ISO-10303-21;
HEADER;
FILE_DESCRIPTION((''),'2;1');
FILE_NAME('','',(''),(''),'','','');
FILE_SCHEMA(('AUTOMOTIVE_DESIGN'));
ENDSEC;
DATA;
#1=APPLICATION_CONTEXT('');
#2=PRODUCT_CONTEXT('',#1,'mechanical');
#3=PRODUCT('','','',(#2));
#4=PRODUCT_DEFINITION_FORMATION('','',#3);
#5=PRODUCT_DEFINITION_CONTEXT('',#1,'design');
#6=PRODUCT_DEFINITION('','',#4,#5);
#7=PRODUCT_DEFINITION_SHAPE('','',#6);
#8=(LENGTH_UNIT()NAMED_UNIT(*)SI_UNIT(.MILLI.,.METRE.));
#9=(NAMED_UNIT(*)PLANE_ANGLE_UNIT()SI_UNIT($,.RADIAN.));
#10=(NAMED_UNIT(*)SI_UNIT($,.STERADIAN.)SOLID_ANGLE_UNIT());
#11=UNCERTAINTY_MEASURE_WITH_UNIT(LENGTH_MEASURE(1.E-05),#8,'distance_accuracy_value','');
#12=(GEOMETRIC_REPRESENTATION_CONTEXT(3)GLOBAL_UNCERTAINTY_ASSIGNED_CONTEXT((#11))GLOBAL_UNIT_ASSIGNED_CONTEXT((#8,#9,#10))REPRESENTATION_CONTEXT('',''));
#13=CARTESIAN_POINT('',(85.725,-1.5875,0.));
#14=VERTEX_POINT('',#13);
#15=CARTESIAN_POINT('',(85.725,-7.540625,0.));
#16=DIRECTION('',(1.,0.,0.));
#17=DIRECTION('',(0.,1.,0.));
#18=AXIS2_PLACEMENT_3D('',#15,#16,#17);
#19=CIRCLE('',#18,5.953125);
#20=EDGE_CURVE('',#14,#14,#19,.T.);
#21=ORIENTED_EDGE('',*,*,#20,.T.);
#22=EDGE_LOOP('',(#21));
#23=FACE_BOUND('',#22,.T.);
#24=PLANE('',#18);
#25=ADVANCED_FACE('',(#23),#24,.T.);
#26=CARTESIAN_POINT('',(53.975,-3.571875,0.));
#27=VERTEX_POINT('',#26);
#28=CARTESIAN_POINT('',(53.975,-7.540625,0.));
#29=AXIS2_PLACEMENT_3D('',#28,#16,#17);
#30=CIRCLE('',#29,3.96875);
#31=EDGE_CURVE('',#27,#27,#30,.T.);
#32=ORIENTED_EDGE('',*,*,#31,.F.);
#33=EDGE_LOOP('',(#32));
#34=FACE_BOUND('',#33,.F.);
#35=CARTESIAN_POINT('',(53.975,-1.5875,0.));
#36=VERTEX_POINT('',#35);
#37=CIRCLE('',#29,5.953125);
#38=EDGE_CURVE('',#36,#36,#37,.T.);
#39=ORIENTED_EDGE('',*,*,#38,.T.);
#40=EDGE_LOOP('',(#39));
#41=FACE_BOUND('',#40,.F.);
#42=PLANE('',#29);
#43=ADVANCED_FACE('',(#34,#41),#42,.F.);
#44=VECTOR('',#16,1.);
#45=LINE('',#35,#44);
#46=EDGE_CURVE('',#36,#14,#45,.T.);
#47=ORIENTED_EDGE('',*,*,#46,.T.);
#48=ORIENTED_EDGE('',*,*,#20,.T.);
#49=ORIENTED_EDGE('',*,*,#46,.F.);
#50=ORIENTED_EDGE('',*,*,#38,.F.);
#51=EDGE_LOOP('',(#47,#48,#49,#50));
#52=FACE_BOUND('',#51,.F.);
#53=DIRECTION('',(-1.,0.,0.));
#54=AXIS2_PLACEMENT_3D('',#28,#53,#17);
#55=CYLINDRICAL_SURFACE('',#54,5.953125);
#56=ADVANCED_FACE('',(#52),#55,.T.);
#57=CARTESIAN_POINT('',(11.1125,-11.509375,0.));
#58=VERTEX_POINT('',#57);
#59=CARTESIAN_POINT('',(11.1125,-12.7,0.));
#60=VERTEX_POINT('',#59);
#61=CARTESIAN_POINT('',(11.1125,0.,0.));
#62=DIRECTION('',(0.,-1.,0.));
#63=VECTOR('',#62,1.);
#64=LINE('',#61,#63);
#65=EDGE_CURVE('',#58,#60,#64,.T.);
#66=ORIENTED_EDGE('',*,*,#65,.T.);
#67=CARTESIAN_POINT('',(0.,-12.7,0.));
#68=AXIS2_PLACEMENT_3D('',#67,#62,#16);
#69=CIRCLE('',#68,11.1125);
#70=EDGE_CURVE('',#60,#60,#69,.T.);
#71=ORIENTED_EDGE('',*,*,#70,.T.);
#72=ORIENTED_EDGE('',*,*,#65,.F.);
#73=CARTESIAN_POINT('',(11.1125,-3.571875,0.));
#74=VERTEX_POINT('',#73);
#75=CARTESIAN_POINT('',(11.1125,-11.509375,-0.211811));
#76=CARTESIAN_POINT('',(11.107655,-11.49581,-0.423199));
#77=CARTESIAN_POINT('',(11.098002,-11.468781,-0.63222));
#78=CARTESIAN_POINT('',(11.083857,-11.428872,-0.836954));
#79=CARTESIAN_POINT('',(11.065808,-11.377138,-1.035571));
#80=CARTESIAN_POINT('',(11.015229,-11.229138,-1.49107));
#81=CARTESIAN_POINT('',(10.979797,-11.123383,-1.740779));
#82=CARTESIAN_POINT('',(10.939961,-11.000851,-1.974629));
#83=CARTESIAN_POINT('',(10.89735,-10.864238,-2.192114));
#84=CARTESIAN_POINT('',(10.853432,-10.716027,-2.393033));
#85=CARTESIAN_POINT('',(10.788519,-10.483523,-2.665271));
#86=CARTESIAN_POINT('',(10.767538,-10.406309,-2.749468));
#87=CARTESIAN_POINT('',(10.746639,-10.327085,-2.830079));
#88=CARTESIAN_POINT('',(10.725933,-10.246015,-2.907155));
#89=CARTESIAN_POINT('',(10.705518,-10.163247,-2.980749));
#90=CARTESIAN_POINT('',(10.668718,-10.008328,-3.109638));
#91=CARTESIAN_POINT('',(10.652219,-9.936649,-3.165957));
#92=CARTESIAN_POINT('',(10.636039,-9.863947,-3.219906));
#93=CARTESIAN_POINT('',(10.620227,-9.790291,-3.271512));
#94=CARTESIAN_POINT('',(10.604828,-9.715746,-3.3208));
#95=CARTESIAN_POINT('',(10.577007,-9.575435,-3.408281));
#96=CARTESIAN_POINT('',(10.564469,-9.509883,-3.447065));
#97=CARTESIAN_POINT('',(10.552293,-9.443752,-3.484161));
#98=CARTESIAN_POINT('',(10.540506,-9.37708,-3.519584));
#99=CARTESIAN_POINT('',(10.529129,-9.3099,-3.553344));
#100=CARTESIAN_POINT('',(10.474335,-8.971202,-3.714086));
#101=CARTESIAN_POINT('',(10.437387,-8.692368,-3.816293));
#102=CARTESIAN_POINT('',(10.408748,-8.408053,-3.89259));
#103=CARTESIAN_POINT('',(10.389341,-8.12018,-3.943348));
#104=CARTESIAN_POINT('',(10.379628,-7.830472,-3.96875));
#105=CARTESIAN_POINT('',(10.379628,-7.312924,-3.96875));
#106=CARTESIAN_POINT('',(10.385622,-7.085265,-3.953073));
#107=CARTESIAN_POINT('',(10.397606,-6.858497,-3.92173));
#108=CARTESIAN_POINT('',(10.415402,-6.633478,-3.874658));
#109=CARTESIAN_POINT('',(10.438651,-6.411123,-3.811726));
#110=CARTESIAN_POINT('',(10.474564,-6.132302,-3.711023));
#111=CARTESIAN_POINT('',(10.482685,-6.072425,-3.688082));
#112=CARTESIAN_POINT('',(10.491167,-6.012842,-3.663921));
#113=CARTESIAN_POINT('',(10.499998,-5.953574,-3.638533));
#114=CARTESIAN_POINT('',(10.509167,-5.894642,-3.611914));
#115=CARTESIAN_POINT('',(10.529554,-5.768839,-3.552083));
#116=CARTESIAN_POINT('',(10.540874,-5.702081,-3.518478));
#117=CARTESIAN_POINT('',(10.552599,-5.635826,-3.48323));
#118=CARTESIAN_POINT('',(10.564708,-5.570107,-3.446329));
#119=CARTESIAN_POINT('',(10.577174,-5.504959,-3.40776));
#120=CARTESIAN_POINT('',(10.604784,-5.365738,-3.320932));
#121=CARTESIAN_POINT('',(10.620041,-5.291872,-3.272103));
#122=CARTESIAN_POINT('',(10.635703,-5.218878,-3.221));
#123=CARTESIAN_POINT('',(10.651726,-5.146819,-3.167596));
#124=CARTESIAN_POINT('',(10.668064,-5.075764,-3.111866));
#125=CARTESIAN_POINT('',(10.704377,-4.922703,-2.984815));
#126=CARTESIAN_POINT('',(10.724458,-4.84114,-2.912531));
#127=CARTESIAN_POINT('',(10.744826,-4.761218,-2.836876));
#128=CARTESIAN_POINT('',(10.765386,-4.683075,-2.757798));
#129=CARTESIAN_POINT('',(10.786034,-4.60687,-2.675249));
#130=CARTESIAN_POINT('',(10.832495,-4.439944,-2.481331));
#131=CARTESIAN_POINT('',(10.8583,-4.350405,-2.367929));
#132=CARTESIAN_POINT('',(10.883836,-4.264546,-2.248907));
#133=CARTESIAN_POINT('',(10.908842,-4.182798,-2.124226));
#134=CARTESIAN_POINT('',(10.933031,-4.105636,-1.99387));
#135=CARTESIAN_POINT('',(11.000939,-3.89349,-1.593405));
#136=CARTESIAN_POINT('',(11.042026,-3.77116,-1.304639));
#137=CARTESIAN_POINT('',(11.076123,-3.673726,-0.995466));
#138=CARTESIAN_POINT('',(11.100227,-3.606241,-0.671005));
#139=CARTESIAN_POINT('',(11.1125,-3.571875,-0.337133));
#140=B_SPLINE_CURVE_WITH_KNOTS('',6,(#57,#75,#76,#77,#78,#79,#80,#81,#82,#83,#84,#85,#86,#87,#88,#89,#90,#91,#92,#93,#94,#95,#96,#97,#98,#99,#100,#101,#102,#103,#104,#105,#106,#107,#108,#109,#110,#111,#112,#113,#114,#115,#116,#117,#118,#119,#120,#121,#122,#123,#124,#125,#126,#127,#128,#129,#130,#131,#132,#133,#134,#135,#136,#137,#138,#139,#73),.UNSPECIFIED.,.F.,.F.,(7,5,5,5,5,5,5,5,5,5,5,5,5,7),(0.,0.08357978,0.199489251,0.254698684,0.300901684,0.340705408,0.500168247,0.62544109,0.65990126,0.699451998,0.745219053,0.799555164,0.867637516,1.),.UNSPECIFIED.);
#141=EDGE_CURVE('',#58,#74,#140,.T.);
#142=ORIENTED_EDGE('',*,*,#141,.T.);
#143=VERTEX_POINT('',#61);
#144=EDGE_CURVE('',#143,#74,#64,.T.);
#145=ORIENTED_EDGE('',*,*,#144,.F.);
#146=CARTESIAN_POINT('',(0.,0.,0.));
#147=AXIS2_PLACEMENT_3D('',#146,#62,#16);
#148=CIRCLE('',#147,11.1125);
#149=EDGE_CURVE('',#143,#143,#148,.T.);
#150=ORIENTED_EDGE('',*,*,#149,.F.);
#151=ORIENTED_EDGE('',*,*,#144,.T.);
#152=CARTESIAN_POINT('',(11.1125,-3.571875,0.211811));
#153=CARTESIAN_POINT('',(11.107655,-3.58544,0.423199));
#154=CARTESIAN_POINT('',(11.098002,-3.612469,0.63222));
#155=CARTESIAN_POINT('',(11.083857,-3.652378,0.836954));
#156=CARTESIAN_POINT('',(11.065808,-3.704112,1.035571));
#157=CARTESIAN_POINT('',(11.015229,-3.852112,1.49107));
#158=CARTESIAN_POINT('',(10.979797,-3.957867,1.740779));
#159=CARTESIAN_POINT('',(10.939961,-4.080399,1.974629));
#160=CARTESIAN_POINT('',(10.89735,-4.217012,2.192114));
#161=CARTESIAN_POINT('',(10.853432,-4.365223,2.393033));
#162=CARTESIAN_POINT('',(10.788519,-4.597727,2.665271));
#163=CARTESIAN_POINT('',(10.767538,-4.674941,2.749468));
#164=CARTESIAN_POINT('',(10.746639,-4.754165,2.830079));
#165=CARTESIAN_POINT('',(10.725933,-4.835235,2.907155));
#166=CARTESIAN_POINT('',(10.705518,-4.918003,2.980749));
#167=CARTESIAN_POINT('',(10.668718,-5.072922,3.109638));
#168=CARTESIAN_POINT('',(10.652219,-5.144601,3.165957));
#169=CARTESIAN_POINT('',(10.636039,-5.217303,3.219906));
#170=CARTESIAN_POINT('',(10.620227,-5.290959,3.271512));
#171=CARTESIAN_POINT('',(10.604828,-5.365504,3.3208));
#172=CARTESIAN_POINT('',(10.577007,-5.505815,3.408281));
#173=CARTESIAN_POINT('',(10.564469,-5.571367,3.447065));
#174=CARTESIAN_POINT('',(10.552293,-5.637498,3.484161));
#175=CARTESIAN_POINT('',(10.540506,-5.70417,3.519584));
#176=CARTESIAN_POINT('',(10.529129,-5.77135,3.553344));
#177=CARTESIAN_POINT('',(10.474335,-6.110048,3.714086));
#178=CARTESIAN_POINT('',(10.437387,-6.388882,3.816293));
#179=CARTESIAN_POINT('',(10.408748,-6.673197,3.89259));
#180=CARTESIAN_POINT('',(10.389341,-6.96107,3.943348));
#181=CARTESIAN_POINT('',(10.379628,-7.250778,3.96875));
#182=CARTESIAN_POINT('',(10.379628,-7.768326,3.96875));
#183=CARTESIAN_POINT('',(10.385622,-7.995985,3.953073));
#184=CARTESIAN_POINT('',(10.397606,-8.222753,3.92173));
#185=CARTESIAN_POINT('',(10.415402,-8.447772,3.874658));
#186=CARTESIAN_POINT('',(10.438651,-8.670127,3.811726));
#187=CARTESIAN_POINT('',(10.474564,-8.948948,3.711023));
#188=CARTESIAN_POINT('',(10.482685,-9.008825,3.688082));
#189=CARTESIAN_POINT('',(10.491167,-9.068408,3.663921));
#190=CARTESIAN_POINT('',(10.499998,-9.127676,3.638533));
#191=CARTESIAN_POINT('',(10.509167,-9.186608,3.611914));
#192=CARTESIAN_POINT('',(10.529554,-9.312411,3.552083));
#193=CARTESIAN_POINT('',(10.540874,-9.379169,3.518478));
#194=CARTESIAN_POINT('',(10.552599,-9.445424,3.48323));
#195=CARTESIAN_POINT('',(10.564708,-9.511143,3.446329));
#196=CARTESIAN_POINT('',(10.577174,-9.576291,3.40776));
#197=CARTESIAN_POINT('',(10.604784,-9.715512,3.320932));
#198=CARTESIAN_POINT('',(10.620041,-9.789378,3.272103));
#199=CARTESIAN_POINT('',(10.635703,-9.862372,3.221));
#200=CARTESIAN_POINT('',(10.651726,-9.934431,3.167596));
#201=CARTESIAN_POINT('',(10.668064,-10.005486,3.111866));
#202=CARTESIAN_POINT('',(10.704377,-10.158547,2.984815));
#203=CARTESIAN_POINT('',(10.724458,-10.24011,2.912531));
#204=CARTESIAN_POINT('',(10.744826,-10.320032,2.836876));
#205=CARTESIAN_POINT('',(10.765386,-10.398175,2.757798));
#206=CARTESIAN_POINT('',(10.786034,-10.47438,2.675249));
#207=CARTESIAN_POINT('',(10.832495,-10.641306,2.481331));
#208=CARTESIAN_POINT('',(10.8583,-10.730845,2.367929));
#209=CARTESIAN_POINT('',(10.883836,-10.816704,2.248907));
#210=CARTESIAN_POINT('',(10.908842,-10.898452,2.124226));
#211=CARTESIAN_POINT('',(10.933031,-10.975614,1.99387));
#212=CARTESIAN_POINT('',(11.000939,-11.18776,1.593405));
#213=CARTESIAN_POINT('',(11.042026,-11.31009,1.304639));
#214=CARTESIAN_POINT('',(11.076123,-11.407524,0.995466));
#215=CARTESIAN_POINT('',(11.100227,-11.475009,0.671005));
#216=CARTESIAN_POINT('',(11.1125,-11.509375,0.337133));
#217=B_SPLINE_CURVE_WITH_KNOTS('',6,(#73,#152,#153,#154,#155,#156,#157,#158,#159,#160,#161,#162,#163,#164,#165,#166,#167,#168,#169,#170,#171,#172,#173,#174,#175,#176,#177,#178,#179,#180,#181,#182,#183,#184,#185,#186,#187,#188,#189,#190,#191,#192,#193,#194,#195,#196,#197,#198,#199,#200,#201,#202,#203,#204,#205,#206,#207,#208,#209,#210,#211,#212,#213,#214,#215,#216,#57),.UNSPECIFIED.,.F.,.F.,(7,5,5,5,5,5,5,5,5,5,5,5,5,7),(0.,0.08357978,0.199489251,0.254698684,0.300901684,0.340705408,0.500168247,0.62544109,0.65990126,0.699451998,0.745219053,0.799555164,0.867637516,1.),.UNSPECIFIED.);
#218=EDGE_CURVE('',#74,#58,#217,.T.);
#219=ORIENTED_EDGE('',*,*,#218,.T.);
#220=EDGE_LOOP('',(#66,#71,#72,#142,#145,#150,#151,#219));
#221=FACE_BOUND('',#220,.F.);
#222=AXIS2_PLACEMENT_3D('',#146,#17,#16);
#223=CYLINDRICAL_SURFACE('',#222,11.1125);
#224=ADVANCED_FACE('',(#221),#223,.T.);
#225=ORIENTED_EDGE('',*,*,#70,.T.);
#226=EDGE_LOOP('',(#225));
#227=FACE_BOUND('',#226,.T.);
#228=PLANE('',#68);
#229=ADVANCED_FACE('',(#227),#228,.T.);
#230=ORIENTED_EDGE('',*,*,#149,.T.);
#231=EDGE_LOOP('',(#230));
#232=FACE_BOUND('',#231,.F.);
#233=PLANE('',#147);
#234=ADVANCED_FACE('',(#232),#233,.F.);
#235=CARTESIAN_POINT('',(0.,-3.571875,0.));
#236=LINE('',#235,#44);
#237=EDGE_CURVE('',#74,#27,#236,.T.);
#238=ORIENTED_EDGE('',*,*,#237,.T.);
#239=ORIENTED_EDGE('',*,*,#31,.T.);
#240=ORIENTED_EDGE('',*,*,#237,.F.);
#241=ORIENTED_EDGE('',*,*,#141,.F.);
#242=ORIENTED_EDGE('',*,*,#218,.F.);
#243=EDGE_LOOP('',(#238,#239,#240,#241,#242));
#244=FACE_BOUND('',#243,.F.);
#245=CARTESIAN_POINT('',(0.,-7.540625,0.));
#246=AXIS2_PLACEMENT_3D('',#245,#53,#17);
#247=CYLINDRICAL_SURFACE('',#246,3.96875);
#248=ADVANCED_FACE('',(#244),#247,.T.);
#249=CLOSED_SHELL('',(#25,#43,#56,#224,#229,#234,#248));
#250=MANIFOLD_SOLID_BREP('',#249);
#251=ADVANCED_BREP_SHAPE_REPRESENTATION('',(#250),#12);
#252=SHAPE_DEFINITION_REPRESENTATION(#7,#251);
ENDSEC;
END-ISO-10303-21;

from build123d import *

# Parameters (mm, degrees)
F0_R     = 11.1125
F1_DEPTH = 12.7
F2_R     = 3.96875
F3_DEPTH = 53.975
F4_R     = 5.953125
F4_R_2   = 3.96875
F5_DEPTH = 31.75


with BuildPart() as f1:
    # F0 (on Front) → F1 (new body)
    with BuildSketch(Plane.XZ):
        Circle(F0_R)
    extrude(amount=F1_DEPTH)

    # F2 (on Right) → F3 (join)
    with BuildSketch(Plane.YZ):
        with Locations((-7.540625, 0)):
            Circle(F2_R)
    extrude(amount=F3_DEPTH)

    # F4 (on face) → F5 (join)
    with BuildSketch(Plane.YZ.offset(53.975)):
        with Locations((-7.540625, 0)):
            Circle(F4_R)
        with Locations((-7.540625, 0)):
            Circle(F4_R_2, mode=Mode.SUBTRACT)
        with Locations((-7.540625, 0)):
            Circle(F4_R_2)
    extrude(amount=F5_DEPTH)


solid = f1.part
